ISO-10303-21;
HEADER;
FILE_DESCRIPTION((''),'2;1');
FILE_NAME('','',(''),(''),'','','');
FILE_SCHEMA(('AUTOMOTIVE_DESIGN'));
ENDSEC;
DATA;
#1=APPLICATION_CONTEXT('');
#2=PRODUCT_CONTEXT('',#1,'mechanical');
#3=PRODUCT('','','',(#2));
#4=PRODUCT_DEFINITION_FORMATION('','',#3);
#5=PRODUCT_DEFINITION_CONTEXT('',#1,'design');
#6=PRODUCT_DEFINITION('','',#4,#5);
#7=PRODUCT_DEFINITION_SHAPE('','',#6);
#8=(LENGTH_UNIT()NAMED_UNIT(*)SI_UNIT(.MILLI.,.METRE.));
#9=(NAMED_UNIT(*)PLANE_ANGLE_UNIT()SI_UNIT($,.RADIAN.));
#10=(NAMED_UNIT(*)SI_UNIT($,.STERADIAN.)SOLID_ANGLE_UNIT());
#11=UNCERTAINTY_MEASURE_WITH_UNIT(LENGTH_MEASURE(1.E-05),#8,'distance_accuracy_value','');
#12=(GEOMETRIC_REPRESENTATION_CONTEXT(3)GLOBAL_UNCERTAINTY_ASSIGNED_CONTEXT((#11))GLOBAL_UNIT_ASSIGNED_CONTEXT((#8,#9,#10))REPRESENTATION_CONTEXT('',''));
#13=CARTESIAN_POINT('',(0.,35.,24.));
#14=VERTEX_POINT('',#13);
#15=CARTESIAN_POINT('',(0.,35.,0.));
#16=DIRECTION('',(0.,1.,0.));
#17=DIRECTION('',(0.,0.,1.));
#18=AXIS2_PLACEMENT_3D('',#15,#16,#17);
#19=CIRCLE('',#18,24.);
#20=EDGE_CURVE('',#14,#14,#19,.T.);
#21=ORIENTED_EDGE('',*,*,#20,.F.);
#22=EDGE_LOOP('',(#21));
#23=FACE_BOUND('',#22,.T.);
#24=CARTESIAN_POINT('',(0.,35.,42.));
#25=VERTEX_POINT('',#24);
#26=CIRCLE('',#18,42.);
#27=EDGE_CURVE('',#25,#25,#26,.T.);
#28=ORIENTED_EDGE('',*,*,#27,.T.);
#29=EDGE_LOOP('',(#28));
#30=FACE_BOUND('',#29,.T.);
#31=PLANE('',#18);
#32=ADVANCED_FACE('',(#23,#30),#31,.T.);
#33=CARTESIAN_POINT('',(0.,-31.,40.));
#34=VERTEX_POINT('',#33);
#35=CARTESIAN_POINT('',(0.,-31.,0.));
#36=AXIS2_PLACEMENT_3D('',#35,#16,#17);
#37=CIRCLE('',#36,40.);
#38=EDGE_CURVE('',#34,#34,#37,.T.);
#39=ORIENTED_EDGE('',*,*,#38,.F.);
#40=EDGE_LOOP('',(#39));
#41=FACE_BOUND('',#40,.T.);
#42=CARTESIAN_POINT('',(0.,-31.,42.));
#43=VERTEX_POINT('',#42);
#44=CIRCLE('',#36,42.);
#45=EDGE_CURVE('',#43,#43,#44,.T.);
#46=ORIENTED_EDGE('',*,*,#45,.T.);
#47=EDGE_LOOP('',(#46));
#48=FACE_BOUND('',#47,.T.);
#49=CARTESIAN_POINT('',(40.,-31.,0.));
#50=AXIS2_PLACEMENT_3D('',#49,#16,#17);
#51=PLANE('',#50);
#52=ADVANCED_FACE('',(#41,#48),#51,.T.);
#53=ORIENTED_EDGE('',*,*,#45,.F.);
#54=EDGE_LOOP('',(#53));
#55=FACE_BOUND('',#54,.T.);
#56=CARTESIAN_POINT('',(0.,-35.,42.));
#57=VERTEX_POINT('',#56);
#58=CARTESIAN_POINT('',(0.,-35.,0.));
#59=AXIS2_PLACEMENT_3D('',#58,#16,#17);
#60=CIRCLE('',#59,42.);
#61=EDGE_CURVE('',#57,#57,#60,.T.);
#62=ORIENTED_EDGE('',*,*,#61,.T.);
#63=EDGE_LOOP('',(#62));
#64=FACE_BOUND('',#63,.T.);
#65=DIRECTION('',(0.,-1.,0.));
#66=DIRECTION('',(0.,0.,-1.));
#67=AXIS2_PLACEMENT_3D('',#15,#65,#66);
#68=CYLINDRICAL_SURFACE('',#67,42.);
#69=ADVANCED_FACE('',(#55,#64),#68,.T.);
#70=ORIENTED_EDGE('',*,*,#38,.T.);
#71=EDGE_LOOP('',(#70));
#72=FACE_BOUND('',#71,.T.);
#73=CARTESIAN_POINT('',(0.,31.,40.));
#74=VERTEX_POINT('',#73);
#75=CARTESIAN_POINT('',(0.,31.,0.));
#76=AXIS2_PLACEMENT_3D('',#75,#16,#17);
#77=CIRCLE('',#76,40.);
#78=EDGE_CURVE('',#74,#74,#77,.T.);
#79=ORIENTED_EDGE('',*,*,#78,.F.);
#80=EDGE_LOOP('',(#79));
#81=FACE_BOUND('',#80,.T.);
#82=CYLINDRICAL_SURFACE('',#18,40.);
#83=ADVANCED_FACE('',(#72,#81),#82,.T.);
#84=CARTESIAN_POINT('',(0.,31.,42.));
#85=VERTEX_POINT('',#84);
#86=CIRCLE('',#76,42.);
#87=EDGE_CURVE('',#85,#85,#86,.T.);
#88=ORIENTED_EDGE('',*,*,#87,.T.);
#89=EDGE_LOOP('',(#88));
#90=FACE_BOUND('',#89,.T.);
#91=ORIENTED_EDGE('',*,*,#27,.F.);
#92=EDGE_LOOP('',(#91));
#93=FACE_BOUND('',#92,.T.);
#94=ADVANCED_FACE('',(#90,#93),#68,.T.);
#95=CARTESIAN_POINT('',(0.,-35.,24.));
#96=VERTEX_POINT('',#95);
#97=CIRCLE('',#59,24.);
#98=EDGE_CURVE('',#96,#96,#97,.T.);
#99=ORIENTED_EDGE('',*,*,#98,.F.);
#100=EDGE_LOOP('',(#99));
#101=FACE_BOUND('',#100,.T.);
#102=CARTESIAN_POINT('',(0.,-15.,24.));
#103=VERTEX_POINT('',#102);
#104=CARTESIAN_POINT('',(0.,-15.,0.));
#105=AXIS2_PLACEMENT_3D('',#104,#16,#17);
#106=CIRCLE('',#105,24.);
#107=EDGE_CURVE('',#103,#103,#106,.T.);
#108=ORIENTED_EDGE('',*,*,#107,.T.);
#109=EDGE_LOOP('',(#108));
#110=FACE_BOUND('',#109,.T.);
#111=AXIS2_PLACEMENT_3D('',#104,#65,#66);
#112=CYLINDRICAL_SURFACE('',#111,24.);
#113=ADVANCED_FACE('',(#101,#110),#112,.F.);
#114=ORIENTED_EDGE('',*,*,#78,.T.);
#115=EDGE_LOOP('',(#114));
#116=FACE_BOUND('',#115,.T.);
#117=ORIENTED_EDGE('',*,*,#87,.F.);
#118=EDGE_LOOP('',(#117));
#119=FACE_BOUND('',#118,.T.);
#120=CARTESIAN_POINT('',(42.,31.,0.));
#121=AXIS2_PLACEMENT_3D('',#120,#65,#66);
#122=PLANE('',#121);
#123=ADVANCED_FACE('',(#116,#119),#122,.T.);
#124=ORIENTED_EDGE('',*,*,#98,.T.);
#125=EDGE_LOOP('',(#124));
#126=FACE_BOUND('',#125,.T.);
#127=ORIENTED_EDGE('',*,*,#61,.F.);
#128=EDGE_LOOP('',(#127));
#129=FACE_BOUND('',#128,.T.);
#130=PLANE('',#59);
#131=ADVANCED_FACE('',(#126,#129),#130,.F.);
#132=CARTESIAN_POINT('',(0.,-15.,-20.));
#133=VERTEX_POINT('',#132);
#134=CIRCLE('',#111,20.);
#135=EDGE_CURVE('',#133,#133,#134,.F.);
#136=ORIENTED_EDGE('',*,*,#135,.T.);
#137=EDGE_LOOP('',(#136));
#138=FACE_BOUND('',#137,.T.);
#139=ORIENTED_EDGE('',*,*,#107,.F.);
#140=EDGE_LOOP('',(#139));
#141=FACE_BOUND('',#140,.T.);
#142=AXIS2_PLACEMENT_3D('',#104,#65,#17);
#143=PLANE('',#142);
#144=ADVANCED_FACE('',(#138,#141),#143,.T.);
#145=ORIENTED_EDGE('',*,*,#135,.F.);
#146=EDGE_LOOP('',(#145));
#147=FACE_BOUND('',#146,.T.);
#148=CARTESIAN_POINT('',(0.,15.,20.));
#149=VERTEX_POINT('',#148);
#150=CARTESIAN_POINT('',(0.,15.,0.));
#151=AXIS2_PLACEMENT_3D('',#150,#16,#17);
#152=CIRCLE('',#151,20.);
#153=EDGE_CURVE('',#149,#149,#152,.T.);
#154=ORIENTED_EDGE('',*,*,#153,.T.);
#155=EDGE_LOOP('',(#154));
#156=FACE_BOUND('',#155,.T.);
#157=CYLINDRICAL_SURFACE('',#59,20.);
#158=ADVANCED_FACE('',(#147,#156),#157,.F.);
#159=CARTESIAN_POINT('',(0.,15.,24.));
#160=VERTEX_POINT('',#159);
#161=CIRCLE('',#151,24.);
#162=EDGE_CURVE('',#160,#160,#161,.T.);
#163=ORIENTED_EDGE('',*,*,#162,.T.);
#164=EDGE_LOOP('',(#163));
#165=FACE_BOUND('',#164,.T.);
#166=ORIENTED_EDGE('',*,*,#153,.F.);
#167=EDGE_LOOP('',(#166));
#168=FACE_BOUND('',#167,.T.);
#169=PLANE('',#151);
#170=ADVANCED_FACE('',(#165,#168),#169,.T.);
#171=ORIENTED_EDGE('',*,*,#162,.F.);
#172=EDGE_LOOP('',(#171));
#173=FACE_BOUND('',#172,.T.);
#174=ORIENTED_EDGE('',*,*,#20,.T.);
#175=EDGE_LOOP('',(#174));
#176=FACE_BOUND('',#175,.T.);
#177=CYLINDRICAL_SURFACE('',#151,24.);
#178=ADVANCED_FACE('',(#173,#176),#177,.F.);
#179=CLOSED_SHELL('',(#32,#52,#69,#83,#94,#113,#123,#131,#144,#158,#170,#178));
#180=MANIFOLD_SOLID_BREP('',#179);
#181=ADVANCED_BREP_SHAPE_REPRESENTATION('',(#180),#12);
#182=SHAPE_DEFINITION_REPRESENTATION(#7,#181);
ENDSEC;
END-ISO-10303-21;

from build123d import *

# Parameters (mm, degrees)
SKETCH_1_R          = 21
EXTRUDE_1_DEPTH     = 17.5
SKETCH_2_W          = 1
SKETCH_2_H          = 31
SKETCH_3_R          = 12
CUT_EXTRUDE_1_DEPTH = 10
SKETCH_15_R         = 10
CUT_EXTRUDE_3_DEPTH = 39.820097888
SCALE1_SCALE        = 2


with BuildPart() as part:
    # 草图1 → 凸台-拉伸1 (new, symmetric)
    with BuildSketch(Plane(origin=(0, 0, 0), x_dir=(1, 0, 0), z_dir=(0, 1, 0))):
        with Locations(Location((0, 0, 0), (0, 0, 270))):
            Circle(SKETCH_1_R)
    extrude(amount=EXTRUDE_1_DEPTH, both=True)

    # 草图2 → 切除-旋转1 (revolve, cut)
    with BuildSketch(Plane.XY, mode=Mode.PRIVATE) as cut_revolve_1_sk:
        with Locations((20.5, 0)):
            Rectangle(SKETCH_2_W, SKETCH_2_H)
    revolve(cut_revolve_1_sk.sketch.rotate(Axis((0, 17.5, 0), (0, -1, 0)), 90), axis=Axis((0, 17.5, 0), (0, -1, 0)), mode=Mode.SUBTRACT)

    # 草图3 → 切除-拉伸1 (cut)
    with BuildSketch(Plane(origin=(0, 17.5, 0), x_dir=(1, 0, 0), z_dir=(0, 1, 0))):
        with Locations(Location((0, 0, 0), (0, 0, 270))):
            Circle(SKETCH_3_R)
    cut_extrude_1 = extrude(amount=-CUT_EXTRUDE_1_DEPTH, mode=Mode.SUBTRACT)

    # 草图15 → 切除-拉伸3 (cut, through all)
    with BuildSketch(Plane(origin=(0, 7.5, 0), x_dir=(1, 0, 0), z_dir=(0, 1, 0))):
        with Locations(Location((0, 0, 0), (0, 0, 270))):
            Circle(SKETCH_15_R)
    extrude(amount=-CUT_EXTRUDE_3_DEPTH, mode=Mode.SUBTRACT)

    # 镜向1: 切除-拉伸1 across plane
    add(cut_extrude_1.mirror(Plane.ZX), mode=Mode.SUBTRACT)


with BuildPart() as part_1:
    # Scale1: scaled about (0, 0, 0)
    add(part.part.scale(SCALE1_SCALE))


solid = part_1.part
